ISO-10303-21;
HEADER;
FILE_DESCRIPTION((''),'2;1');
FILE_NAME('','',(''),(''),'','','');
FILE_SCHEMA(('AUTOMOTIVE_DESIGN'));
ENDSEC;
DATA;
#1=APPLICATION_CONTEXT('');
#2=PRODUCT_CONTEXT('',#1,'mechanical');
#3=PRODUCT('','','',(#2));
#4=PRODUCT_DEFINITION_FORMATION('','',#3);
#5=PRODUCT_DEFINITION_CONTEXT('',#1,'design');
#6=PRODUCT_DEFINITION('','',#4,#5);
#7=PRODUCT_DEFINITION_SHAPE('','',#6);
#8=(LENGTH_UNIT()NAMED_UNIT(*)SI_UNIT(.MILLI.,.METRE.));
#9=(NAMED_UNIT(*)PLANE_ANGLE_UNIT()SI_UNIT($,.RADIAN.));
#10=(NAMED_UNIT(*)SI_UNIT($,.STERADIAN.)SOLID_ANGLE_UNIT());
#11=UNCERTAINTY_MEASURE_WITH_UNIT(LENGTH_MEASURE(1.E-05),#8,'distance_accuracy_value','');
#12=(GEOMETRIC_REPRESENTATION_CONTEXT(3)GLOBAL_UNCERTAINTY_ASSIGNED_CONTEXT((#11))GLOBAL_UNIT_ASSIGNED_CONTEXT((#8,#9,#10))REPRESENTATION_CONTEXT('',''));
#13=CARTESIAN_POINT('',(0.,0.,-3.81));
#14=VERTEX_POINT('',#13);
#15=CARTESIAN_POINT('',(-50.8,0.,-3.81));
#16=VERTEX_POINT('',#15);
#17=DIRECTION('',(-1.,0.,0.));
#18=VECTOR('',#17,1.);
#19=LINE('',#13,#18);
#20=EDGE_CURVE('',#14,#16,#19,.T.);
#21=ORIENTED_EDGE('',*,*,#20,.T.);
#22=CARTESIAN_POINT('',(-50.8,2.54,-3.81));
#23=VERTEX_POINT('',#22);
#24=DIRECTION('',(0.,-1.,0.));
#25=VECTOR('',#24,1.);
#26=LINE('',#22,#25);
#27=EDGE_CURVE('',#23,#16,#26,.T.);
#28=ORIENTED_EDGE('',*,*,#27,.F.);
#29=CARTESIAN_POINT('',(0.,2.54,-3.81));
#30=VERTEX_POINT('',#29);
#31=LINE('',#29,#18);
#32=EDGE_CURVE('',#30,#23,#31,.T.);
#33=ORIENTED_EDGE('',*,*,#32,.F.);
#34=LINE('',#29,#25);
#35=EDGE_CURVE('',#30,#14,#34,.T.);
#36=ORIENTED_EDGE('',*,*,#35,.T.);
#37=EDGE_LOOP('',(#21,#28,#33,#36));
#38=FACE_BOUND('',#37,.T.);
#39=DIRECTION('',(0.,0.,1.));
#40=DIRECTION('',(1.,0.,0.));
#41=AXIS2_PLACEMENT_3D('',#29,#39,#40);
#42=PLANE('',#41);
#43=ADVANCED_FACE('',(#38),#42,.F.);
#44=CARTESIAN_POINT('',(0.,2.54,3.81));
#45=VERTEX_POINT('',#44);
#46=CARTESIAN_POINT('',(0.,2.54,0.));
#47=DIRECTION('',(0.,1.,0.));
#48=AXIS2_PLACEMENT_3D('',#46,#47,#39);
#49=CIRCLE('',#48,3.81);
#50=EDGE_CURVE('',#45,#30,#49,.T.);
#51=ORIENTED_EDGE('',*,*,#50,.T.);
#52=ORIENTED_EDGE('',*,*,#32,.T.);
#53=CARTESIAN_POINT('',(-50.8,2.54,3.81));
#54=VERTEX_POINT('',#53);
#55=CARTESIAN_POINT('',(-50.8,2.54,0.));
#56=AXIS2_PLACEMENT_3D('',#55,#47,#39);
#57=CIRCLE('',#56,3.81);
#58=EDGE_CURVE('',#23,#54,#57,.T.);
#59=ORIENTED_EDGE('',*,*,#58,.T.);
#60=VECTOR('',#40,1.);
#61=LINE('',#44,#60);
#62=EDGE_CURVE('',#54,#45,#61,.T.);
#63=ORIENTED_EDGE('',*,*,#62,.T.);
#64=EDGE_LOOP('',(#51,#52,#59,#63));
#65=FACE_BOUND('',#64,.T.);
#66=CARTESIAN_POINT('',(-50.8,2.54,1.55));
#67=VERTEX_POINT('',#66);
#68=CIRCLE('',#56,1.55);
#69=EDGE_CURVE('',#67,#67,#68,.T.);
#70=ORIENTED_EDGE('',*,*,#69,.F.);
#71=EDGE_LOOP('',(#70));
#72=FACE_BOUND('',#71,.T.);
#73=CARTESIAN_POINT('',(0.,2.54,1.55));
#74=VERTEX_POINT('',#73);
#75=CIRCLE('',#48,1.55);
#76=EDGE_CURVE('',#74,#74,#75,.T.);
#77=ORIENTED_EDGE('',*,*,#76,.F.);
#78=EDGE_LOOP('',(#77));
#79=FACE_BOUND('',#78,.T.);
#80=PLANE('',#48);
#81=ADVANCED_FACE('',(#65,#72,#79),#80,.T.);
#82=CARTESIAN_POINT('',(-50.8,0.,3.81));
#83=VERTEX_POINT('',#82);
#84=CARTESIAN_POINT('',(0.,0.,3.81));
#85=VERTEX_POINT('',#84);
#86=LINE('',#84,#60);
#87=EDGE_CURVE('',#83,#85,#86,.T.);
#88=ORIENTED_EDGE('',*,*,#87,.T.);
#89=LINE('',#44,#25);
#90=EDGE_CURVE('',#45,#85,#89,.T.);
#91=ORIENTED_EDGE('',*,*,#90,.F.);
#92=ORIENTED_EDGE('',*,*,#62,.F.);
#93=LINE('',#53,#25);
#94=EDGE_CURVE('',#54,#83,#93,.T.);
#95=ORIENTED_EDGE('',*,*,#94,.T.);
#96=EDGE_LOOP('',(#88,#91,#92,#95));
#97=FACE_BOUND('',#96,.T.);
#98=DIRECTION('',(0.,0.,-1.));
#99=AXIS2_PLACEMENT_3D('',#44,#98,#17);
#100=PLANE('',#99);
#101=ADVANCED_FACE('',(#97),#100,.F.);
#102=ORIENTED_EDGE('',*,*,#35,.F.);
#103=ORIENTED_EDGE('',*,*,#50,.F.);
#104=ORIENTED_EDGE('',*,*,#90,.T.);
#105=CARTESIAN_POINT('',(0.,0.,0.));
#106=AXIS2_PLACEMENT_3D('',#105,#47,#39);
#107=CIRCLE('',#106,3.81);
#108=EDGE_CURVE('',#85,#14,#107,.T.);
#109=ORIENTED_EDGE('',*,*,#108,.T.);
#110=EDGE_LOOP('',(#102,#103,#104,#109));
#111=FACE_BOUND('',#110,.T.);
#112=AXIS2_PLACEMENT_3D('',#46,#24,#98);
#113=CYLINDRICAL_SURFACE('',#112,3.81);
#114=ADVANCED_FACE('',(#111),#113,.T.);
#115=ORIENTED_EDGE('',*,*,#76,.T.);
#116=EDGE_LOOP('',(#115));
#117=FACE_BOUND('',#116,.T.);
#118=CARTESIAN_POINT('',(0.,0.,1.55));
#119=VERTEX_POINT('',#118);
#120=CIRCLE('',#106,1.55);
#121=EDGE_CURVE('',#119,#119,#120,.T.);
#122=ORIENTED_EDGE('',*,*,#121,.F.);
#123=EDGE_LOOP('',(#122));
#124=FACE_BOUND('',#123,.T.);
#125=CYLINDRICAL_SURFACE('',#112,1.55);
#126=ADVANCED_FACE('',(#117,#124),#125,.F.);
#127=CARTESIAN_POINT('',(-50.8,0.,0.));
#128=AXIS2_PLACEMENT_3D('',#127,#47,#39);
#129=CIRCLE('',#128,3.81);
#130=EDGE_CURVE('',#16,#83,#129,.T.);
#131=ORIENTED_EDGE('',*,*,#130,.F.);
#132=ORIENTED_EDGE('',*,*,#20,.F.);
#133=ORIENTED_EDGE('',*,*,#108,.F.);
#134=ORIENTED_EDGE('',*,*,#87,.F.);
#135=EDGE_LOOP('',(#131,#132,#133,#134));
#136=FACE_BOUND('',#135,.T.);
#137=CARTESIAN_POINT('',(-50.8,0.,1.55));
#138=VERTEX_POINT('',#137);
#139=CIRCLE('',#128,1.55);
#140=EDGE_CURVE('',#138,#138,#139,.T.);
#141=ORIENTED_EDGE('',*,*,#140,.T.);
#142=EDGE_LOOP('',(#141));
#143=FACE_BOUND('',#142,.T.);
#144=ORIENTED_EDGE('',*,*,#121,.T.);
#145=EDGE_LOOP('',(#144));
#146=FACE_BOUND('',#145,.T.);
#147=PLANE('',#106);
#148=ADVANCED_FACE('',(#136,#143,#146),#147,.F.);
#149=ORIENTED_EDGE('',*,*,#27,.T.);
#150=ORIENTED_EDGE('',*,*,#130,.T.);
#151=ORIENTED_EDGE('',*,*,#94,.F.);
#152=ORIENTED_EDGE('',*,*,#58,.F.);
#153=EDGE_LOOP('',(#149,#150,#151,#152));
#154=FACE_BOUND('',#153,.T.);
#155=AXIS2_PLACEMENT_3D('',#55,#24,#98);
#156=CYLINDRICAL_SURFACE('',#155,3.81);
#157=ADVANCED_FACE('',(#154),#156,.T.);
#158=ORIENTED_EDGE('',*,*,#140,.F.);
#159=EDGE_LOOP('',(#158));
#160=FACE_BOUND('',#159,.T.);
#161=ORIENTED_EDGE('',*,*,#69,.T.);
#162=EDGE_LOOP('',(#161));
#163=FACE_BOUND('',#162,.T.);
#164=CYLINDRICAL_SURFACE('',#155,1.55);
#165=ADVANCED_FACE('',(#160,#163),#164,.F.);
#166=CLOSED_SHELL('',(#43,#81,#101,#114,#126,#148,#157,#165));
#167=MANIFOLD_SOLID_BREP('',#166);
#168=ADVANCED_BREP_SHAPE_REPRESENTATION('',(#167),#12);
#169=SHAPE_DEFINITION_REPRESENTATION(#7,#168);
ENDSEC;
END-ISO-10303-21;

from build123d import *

# Parameters (mm, degrees)
SKETCH1_R           = 1.55
BOSS_EXTRUDE1_DEPTH = 2.54


with BuildPart() as part:
    # Sketch1 → Boss-Extrude1 (new body)
    with BuildSketch(Plane(origin=(0, 0, 0), x_dir=(1, 0, 0), z_dir=(0, 1, 0))):
        with BuildLine():
            Line((0, -3.81), (-50.8, -3.81))
            ThreePointArc((-50.8, -3.81), (-54.61, 0), (-50.8, 3.81))
            Line((-50.8, 3.81), (0, 3.81))
            ThreePointArc((0, 3.81), (3.81, 0), (0, -3.81))
        make_face()
        with Locations(Location((-50.8, 0, 0), (0, 0, 270))):
            Circle(SKETCH1_R, mode=Mode.SUBTRACT)
        with Locations(Location((0, 0, 0), (0, 0, 270))):
            Circle(SKETCH1_R, mode=Mode.SUBTRACT)
    extrude(amount=BOSS_EXTRUDE1_DEPTH)


solid = part.part
